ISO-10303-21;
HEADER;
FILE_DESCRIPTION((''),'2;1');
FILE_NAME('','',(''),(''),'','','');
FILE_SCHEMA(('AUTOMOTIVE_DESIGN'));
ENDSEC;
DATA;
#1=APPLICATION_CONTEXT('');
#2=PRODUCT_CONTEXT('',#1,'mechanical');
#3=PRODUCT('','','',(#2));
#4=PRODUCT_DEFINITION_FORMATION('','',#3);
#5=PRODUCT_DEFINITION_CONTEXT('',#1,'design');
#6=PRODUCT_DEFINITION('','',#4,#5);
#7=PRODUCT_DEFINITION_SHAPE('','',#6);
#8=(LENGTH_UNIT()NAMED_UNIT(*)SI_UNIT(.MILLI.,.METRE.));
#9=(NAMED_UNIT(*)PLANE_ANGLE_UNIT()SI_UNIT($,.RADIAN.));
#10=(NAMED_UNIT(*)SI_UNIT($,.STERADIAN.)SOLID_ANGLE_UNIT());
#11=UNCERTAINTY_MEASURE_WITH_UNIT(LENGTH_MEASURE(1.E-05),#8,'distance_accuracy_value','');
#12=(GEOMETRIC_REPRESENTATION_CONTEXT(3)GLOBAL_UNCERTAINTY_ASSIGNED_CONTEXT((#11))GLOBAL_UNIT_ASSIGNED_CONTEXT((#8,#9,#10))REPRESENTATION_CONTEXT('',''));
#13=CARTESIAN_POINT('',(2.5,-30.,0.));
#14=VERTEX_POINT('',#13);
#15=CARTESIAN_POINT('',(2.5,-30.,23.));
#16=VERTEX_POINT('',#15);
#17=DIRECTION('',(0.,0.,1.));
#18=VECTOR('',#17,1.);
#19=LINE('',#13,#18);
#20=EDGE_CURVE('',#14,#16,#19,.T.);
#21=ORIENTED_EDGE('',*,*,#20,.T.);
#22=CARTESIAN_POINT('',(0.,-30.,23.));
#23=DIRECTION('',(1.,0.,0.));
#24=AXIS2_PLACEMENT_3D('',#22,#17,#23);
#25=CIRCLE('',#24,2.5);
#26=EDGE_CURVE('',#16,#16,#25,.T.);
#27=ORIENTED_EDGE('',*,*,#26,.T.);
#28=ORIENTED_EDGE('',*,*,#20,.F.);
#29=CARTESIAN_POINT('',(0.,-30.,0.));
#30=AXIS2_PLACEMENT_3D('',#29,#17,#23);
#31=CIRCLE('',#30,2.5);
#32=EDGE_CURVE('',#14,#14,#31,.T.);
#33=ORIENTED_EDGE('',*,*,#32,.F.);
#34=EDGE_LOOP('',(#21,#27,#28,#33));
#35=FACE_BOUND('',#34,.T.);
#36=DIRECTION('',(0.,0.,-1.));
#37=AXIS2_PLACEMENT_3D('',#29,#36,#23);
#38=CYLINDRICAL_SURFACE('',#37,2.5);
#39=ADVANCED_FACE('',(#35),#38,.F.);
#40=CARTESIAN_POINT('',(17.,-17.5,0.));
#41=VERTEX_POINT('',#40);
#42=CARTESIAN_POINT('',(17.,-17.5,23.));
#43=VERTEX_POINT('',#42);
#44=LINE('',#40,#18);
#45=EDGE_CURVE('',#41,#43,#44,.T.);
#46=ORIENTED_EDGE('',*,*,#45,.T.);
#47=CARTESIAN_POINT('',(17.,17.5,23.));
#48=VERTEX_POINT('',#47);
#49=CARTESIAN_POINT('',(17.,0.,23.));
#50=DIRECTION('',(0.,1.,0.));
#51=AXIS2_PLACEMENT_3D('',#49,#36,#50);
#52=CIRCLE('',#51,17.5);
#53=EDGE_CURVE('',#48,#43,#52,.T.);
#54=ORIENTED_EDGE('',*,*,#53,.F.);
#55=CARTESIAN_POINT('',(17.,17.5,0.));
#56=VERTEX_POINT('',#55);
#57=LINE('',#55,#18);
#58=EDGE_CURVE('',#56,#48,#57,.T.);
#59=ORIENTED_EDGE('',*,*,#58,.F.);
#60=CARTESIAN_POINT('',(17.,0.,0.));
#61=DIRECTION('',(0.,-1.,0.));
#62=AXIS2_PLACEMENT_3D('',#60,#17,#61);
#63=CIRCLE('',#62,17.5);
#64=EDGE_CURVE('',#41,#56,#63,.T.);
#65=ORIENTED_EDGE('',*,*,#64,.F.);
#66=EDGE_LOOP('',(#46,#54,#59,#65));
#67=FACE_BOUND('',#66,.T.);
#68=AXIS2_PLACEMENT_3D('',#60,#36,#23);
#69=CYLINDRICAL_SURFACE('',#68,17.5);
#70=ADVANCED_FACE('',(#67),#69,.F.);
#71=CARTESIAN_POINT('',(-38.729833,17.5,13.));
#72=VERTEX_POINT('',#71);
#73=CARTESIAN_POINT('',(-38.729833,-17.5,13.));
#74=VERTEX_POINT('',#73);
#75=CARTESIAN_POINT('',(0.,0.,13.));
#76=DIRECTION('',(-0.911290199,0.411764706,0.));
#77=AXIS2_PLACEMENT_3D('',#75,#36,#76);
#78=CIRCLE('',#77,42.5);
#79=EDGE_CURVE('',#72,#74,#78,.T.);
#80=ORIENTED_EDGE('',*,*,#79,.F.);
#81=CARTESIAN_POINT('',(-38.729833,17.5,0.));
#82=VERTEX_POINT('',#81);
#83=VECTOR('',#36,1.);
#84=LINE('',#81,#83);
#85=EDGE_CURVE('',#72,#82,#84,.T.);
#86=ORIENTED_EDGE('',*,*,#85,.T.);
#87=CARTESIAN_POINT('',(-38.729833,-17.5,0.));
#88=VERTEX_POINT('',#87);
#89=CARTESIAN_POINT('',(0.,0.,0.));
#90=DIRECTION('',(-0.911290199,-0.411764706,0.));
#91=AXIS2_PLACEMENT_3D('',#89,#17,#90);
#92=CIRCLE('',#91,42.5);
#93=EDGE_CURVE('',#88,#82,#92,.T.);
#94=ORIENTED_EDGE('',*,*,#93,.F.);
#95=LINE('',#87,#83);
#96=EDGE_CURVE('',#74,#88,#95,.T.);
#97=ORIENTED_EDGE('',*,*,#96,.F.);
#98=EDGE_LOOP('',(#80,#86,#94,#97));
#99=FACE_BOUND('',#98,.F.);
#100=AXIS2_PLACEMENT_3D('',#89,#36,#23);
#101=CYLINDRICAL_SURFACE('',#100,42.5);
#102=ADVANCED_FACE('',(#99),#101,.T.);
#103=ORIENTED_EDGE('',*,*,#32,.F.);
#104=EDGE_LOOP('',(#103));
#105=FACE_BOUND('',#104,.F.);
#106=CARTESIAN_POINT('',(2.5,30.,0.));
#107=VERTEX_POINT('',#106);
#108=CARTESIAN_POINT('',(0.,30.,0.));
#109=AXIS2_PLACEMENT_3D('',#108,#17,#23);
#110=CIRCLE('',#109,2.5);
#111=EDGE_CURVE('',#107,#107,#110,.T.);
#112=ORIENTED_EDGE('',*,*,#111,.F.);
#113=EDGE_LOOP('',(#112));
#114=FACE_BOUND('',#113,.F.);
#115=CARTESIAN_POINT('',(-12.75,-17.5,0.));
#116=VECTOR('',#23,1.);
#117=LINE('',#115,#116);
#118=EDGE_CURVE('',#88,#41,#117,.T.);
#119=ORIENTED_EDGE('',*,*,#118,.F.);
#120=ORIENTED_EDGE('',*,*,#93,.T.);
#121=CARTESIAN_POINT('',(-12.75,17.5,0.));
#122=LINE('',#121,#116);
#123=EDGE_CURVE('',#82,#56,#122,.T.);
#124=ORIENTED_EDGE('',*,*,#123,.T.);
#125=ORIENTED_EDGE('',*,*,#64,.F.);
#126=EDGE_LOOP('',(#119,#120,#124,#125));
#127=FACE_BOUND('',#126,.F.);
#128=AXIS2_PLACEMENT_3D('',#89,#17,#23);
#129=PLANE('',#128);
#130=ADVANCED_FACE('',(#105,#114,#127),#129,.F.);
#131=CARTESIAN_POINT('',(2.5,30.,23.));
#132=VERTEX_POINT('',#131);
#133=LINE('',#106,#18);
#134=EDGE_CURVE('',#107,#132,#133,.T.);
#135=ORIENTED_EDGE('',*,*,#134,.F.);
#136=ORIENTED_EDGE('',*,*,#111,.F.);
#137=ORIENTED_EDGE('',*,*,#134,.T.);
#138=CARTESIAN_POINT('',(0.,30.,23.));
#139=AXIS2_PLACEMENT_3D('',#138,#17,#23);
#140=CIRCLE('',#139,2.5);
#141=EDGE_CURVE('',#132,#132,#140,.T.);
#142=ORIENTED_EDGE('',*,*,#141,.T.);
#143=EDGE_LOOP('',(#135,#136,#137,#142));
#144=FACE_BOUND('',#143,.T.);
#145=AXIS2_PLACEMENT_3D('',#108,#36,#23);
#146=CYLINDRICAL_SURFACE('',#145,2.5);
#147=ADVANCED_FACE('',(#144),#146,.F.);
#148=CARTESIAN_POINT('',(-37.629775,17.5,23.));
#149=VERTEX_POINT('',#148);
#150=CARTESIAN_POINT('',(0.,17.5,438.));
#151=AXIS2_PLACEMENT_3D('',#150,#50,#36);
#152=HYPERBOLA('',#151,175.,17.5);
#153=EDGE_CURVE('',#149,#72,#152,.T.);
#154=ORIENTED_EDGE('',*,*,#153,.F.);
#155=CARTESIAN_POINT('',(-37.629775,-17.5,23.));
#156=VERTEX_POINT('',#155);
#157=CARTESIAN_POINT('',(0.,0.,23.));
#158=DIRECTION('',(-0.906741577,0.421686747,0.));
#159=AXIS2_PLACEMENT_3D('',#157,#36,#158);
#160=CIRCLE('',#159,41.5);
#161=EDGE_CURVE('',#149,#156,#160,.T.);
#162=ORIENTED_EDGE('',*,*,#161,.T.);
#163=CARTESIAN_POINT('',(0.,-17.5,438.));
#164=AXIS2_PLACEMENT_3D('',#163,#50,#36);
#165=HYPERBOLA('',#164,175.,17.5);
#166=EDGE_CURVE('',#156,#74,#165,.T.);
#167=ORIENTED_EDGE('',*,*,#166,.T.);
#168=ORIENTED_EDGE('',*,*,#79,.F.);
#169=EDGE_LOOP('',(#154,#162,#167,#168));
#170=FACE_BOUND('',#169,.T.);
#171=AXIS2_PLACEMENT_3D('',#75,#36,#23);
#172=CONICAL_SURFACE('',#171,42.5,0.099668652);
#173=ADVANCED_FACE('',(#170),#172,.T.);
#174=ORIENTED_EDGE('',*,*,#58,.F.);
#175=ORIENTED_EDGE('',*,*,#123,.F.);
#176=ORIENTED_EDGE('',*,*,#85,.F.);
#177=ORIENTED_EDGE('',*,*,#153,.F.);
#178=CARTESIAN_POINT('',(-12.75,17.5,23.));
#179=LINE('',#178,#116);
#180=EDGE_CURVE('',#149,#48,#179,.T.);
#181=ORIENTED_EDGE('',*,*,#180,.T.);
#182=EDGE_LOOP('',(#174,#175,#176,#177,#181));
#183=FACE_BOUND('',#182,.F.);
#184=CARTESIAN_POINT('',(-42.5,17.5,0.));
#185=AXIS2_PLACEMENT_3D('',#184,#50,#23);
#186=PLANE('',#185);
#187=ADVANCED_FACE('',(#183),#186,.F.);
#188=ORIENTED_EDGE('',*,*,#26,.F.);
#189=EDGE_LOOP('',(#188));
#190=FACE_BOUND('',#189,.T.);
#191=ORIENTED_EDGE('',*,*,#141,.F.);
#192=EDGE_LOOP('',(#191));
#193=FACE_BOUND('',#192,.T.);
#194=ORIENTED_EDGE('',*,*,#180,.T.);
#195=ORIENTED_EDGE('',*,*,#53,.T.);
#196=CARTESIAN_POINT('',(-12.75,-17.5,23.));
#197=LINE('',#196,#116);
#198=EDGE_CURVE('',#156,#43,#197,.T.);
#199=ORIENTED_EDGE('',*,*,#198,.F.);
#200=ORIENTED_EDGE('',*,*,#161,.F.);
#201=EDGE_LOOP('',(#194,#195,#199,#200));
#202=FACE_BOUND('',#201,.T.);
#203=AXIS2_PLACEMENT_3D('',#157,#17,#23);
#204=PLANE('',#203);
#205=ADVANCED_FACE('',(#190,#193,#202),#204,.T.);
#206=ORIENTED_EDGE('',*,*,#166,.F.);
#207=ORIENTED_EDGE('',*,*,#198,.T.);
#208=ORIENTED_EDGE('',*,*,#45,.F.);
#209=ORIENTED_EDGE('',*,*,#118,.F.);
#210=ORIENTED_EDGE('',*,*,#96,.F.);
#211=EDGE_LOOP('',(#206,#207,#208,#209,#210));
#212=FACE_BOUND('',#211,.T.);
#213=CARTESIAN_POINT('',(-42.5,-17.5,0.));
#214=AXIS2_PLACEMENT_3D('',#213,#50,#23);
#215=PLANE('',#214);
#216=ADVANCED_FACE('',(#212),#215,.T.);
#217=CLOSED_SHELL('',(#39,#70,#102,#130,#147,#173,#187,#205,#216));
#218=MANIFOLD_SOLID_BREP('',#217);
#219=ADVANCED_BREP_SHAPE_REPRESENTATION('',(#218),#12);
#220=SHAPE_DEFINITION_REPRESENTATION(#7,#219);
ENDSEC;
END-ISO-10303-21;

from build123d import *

# Parameters (mm, degrees)
CYLINDER003_R     = 2.5
CYLINDER003_DEPTH = 23
CYLINDER002_R     = 2.5
CYLINDER002_DEPTH = 23
BOX_W             = 59.5
BOX_H             = 35
BOX_DEPTH         = 23
CYLINDER001_R     = 17.5
CYLINDER001_DEPTH = 23
CYLINDER_R        = 42.5
CYLINDER_DEPTH    = 23
CHAMFER_SIZE2     = 1
CHAMFER_SIZE      = 10


with BuildPart() as cylinder003:
    # Cylinder003 → Cylinder003 (new body)
    with BuildSketch(Plane(origin=(0, -30, 0), x_dir=(1, 0, 0), z_dir=(0, 0, 1))):
        Circle(CYLINDER003_R)
    extrude(amount=CYLINDER003_DEPTH)


with BuildPart() as cylinder002:
    # Cylinder002 → Cylinder002 (new body)
    with BuildSketch(Plane(origin=(0, 30, 0), x_dir=(1, 0, 0), z_dir=(0, 0, 1))):
        Circle(CYLINDER002_R)
    extrude(amount=CYLINDER002_DEPTH)


with BuildPart() as cube:
    # Box → Box (new body)
    with BuildSketch(Plane(origin=(-42.5, -17.5, 0), x_dir=(1, 0, 0), z_dir=(0, 0, 1))):
        with Locations((29.75, 17.5)):
            Rectangle(BOX_W, BOX_H)
    extrude(amount=BOX_DEPTH)


with BuildPart() as cylinder001:
    # Cylinder001 → Cylinder001 (new body)
    with BuildSketch(Plane(origin=(17, 0, 0), x_dir=(1, 0, 0), z_dir=(0, 0, 1))):
        Circle(CYLINDER001_R)
    extrude(amount=CYLINDER001_DEPTH)


with BuildPart() as cut003:
    # Cylinder → Cylinder (new body)
    with BuildSketch(Plane.XY):
        Circle(CYLINDER_R)
    extrude(amount=CYLINDER_DEPTH)

    # Chamfer
    chamfer_edges = [cut003.edges().sort_by_distance(p)[0] for p in [
        (-42.5, 0, 23),
    ]]
    chamfer_side = cut003.faces().sort_by_distance((-42.5, 0, 11.5))[0]
    chamfer(chamfer_edges, length=CHAMFER_SIZE, length2=CHAMFER_SIZE2, reference=chamfer_side)

    # Cut: cut Cylinder001
    add(cylinder001.part, mode=Mode.SUBTRACT)

    # Cut001: cut Cube
    add(cube.part, mode=Mode.SUBTRACT)

    # Cut002: cut Cylinder002
    add(cylinder002.part, mode=Mode.SUBTRACT)

    # Cut003: cut Cylinder003
    add(cylinder003.part, mode=Mode.SUBTRACT)


solid = cut003.part
